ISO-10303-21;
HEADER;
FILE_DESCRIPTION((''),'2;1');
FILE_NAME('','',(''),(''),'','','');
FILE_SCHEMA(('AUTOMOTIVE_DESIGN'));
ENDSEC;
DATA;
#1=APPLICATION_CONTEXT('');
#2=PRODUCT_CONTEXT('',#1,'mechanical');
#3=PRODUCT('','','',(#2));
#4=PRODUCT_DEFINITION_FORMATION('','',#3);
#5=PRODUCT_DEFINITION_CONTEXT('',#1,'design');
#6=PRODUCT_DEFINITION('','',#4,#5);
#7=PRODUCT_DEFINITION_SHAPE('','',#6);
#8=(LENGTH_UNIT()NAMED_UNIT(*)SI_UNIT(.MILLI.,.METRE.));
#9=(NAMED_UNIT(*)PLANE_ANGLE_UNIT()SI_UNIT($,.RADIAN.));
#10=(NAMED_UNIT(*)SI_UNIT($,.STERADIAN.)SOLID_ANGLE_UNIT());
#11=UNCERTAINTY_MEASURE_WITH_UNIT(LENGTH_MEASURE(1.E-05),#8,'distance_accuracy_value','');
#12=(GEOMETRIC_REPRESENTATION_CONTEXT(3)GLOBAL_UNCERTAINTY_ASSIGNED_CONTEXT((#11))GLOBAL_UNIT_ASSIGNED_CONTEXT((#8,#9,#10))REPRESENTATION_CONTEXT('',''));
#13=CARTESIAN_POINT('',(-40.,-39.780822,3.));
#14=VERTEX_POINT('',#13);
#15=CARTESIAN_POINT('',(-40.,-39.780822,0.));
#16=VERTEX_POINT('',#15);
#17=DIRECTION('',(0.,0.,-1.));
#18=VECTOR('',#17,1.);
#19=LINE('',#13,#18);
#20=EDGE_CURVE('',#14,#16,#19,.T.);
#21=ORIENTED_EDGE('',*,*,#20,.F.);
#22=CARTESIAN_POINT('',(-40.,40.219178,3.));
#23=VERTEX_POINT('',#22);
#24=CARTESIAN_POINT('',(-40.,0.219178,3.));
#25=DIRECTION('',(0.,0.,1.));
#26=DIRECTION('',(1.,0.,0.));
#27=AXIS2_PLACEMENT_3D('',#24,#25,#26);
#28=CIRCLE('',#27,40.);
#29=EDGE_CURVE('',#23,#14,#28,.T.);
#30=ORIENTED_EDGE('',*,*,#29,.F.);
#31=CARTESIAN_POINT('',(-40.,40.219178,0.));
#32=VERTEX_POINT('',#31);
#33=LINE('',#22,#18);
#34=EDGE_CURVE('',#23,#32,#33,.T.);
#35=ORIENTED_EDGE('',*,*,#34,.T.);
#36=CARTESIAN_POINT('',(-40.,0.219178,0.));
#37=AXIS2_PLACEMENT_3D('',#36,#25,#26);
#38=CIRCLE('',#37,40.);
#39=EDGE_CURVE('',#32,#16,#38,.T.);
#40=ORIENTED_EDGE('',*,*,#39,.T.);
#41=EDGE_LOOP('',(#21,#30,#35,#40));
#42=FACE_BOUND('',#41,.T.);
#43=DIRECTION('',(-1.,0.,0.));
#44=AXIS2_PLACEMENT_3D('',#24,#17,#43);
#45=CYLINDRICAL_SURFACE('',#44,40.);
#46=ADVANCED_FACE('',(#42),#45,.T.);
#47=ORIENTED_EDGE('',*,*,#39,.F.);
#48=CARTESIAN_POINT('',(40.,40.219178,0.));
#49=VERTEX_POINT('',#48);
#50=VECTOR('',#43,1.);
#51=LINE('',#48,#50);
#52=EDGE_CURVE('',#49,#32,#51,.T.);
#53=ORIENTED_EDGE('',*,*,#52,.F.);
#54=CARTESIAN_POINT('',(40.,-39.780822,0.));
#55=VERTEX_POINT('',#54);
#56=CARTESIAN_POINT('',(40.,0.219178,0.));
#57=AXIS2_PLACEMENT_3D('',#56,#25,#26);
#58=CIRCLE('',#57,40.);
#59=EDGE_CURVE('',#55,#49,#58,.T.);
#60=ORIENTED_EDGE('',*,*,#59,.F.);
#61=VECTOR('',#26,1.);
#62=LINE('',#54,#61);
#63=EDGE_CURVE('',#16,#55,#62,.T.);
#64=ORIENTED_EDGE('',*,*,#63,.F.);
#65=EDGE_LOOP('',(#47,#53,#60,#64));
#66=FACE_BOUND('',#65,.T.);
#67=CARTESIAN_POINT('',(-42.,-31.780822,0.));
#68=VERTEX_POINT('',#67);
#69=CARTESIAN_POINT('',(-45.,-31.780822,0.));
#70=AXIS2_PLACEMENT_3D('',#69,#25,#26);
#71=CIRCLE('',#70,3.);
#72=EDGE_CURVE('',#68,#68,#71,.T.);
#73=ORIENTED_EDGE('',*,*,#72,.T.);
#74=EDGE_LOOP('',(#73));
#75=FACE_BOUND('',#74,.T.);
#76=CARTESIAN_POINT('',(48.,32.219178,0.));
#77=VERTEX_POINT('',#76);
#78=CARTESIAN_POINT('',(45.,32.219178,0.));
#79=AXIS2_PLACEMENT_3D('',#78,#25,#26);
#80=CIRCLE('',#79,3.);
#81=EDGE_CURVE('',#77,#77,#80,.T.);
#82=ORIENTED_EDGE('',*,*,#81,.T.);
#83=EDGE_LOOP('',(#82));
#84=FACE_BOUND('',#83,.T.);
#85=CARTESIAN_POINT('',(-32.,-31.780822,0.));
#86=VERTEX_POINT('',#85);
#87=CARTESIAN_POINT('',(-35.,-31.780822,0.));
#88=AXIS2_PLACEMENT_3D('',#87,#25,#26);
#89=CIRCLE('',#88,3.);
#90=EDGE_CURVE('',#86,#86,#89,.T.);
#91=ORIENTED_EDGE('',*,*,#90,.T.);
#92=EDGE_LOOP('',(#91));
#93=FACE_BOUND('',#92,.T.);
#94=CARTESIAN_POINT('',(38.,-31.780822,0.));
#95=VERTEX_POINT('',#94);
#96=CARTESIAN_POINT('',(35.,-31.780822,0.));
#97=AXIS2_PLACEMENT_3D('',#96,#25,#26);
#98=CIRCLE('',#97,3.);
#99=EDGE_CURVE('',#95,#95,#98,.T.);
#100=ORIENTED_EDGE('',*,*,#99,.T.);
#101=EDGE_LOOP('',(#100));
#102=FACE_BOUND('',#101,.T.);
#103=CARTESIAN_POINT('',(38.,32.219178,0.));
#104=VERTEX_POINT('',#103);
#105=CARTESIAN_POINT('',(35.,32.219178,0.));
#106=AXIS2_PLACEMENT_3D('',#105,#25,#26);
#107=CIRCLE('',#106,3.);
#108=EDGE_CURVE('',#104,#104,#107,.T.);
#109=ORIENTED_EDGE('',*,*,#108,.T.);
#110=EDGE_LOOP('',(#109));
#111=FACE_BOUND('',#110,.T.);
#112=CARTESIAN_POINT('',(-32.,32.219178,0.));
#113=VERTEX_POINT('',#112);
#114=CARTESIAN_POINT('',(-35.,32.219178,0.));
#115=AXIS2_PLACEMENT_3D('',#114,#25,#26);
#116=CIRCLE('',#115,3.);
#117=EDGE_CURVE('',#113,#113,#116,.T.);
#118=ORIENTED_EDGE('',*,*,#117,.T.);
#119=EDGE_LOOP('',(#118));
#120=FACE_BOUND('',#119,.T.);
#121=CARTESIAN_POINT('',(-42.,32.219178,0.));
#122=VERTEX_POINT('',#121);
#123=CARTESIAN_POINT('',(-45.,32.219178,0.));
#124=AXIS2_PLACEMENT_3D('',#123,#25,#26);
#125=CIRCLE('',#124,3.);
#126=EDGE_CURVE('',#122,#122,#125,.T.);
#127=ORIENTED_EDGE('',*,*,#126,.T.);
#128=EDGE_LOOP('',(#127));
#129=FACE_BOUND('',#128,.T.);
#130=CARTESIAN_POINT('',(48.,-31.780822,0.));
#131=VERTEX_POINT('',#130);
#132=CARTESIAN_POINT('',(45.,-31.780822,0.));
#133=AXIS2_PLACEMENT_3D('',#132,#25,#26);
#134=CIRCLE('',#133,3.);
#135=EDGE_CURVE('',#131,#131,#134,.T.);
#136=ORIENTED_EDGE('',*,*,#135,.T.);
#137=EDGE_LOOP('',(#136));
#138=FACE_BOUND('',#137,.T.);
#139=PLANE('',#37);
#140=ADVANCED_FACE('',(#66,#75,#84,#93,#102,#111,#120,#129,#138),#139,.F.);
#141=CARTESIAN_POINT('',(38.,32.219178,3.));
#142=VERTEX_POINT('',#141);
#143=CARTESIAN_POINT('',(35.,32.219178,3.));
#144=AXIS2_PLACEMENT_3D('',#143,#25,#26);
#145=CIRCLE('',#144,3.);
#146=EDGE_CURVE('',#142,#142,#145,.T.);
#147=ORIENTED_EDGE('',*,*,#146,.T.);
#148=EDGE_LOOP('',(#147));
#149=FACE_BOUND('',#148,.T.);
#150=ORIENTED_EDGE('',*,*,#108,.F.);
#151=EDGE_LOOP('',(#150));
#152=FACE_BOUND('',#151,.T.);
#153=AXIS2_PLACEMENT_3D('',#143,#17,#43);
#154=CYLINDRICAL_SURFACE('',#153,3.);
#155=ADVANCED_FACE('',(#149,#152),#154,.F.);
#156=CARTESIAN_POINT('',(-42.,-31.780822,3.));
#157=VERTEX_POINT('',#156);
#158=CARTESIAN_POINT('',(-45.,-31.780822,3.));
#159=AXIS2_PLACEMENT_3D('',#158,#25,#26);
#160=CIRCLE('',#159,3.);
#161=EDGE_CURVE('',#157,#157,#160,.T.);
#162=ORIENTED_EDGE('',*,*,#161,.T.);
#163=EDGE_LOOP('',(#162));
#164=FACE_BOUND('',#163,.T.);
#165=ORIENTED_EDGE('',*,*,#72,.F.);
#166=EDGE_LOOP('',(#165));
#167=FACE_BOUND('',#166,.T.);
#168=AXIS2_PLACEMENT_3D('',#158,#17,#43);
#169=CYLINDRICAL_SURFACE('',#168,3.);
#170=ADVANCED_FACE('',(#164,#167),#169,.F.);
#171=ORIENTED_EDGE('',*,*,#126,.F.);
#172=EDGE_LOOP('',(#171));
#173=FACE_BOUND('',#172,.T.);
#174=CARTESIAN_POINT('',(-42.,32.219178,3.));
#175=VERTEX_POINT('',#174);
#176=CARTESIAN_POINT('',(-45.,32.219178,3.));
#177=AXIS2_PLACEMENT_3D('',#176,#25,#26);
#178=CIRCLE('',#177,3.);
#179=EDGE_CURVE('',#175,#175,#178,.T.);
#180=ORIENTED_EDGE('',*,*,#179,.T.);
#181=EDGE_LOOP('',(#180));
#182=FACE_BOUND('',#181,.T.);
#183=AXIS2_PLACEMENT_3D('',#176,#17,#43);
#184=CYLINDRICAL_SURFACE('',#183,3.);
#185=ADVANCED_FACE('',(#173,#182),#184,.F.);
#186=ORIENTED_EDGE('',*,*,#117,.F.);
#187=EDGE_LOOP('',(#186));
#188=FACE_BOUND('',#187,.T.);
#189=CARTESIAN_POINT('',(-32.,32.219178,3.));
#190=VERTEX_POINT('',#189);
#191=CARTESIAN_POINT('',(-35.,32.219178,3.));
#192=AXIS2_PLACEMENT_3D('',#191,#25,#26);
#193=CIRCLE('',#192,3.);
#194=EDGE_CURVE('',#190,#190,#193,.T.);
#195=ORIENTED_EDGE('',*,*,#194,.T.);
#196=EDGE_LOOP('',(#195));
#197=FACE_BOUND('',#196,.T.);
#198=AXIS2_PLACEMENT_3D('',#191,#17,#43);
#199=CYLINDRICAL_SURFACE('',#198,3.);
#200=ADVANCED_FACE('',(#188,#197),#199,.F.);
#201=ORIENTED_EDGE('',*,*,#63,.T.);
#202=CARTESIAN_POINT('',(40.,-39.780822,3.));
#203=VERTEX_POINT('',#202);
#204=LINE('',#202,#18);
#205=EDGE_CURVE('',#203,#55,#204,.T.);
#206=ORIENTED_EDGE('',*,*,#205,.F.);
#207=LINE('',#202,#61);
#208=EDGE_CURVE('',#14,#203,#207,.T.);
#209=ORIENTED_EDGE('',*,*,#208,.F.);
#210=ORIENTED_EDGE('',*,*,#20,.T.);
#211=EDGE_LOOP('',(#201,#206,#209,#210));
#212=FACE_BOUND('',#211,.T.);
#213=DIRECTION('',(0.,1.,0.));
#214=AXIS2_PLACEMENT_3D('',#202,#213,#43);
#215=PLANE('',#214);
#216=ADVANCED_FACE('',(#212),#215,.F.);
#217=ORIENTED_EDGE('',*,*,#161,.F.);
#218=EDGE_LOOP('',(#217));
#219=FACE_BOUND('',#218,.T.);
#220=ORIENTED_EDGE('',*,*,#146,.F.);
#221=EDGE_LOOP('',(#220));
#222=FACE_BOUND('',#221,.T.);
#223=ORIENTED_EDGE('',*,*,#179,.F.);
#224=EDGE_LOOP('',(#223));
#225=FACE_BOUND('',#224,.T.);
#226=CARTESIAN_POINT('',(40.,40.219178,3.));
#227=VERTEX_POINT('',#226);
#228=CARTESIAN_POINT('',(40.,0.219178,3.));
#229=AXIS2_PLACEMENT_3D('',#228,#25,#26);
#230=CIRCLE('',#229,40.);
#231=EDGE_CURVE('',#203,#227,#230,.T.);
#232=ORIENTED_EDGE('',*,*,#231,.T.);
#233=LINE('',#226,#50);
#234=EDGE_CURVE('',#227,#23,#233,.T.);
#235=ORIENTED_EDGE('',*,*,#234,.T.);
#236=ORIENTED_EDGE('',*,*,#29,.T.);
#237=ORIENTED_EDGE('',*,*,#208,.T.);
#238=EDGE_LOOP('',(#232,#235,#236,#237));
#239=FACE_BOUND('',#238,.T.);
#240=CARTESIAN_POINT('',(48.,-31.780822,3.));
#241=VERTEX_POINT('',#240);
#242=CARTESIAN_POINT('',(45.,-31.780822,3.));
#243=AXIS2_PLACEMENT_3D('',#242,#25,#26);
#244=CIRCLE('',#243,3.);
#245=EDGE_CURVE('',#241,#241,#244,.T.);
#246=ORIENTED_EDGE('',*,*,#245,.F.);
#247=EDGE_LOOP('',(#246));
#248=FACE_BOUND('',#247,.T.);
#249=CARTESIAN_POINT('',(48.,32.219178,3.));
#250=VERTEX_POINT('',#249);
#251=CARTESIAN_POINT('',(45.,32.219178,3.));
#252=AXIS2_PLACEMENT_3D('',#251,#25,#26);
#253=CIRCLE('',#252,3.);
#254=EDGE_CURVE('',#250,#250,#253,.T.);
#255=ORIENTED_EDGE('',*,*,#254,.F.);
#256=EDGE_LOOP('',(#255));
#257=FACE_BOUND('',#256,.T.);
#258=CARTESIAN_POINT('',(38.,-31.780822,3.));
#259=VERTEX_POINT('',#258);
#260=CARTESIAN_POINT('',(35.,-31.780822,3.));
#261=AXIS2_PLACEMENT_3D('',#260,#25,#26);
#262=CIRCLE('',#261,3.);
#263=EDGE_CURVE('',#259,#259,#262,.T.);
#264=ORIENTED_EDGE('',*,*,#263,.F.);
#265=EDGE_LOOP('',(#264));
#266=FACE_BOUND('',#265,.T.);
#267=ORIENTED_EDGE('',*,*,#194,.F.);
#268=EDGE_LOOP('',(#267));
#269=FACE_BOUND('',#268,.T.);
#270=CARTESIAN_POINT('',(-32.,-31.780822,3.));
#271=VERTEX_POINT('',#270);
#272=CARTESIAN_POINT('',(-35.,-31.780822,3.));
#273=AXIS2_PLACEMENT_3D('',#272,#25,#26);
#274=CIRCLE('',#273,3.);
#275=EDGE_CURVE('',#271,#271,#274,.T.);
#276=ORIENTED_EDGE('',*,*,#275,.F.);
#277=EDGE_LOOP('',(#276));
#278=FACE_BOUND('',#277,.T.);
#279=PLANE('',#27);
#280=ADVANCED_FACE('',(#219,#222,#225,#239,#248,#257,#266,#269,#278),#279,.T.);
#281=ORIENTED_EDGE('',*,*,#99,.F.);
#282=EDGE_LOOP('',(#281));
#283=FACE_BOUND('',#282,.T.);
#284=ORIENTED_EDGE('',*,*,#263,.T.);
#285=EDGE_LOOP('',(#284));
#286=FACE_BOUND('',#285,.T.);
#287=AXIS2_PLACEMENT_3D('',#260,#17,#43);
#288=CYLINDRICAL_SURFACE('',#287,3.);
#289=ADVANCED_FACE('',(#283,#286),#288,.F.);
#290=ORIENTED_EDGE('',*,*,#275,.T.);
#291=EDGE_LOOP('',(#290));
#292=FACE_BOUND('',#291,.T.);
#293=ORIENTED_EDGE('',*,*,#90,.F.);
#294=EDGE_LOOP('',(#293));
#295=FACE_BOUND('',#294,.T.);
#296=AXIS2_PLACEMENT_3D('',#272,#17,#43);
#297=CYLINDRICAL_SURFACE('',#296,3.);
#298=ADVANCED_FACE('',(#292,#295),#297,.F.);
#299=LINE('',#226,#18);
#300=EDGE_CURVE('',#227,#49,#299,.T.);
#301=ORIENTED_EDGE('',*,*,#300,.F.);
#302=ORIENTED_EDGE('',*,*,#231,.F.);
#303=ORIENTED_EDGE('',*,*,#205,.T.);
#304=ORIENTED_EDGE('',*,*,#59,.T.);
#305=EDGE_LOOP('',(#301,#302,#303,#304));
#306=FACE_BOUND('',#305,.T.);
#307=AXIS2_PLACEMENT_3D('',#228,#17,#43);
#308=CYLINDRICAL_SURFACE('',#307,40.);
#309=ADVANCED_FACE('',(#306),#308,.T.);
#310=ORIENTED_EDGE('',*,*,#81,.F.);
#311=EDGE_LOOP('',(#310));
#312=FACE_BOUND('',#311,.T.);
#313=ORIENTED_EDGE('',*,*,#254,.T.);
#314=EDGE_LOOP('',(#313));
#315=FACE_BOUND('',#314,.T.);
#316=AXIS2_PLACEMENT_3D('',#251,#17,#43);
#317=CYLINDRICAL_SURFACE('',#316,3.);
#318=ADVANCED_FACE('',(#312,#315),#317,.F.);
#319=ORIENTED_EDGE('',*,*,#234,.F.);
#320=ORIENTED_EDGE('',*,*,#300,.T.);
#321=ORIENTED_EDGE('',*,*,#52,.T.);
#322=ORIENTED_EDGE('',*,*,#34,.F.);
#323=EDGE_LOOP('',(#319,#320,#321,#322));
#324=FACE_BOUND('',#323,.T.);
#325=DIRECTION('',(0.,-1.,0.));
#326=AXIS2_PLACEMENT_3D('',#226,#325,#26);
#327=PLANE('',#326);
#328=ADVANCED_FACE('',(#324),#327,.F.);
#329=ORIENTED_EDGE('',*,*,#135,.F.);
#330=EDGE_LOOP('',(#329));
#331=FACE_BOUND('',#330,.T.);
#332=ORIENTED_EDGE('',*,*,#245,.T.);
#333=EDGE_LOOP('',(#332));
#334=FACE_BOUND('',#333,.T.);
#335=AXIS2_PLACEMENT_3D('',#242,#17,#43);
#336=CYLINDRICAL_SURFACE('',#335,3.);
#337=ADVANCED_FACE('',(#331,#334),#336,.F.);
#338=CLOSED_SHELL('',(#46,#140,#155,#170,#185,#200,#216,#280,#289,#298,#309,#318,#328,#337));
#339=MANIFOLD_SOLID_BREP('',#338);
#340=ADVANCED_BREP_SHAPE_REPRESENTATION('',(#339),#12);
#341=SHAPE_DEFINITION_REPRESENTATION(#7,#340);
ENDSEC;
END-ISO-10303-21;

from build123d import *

# Parameters (mm, degrees)
SKETCH1_R           = 3
BOSS_EXTRUDE1_DEPTH = 3


with BuildPart() as part:
    # Sketch1 → Boss-Extrude1 (new body)
    with BuildSketch(Plane.XY):
        with BuildLine():
            Line((40, 40.219178082), (-40, 40.219178082))
            ThreePointArc((-40, 40.219178082), (-80, 0.219178082), (-40, -39.780821918))
            Line((-40, -39.780821918), (40, -39.780821918))
            ThreePointArc((40, -39.780821918), (80, 0.219178082), (40, 40.219178082))
        make_face()
        with Locations((45, 32.219178082)):
            Circle(SKETCH1_R, mode=Mode.SUBTRACT)
        with Locations((45, -31.780821918)):
            Circle(SKETCH1_R, mode=Mode.SUBTRACT)
        with Locations((-45, 32.219178082)):
            Circle(SKETCH1_R, mode=Mode.SUBTRACT)
        with Locations((-45, -31.780821918)):
            Circle(SKETCH1_R, mode=Mode.SUBTRACT)
        with Locations((35, 32.219178082)):
            Circle(SKETCH1_R, mode=Mode.SUBTRACT)
        with Locations((-35, 32.219178082)):
            Circle(SKETCH1_R, mode=Mode.SUBTRACT)
        with Locations((-35, -31.780821918)):
            Circle(SKETCH1_R, mode=Mode.SUBTRACT)
        with Locations((35, -31.780821918)):
            Circle(SKETCH1_R, mode=Mode.SUBTRACT)
    extrude(amount=BOSS_EXTRUDE1_DEPTH)


solid = part.part
